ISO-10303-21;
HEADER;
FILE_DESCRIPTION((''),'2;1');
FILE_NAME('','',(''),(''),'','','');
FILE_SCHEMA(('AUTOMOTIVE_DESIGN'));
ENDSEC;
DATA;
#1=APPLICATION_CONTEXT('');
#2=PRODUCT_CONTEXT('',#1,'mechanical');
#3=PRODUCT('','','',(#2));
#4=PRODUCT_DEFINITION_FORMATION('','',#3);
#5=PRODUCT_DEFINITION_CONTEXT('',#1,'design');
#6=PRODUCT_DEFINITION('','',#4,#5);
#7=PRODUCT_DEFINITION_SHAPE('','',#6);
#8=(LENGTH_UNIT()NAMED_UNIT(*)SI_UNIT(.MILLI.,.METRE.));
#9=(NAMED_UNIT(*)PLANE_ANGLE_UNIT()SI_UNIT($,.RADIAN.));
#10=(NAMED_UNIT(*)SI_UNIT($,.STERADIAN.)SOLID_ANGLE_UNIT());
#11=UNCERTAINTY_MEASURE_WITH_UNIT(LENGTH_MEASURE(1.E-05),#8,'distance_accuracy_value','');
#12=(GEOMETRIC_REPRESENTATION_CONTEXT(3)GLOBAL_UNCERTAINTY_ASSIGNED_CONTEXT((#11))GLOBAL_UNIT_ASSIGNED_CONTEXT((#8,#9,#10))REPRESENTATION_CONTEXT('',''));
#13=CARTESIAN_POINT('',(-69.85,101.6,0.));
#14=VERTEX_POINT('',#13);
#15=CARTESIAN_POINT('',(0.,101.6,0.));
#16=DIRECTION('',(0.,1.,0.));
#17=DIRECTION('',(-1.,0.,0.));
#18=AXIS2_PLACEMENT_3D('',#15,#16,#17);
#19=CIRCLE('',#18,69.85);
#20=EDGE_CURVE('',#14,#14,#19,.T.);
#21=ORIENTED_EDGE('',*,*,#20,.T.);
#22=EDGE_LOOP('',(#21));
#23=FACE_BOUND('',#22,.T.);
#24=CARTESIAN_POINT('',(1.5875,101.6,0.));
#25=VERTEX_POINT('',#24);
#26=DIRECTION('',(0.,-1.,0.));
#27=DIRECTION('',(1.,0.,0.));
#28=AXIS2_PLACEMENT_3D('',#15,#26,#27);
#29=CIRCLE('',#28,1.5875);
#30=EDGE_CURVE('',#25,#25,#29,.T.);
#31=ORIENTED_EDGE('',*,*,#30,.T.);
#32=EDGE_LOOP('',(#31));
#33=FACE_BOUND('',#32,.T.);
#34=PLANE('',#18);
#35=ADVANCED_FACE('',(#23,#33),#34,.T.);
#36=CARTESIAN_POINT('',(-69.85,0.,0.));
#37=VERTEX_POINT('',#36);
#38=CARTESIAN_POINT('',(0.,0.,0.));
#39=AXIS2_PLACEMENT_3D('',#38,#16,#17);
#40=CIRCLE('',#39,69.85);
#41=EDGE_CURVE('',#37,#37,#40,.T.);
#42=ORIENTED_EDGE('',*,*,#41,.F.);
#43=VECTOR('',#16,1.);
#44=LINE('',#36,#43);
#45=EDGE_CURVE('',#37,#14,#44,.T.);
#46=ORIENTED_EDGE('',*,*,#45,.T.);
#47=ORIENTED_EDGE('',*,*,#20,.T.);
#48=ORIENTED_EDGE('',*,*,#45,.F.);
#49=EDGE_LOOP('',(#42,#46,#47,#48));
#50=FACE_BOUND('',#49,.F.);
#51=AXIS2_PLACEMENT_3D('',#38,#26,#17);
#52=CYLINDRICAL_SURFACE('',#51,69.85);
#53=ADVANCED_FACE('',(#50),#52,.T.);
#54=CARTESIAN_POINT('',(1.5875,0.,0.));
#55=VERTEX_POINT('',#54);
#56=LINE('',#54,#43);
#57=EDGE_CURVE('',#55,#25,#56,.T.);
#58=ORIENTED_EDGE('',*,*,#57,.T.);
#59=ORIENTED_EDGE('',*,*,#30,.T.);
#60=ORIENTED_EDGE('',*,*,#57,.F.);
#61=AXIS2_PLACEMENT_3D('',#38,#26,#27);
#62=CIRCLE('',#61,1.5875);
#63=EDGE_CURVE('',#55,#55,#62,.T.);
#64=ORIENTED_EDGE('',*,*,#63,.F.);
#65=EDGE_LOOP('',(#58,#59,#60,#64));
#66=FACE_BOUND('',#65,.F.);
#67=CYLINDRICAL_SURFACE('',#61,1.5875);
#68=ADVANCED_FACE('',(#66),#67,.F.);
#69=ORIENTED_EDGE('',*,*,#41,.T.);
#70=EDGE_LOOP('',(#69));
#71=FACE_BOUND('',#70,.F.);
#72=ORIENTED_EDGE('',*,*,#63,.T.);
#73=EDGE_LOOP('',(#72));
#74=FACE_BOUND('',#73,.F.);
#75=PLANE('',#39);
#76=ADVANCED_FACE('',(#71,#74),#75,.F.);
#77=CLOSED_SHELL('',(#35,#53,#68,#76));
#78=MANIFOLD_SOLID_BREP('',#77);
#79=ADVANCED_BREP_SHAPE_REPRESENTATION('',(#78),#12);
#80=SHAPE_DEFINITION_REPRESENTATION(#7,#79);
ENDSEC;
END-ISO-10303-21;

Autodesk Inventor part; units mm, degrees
ref_plane "YZ Plane" through (0, 0, 0) normal (1, 0, 0) x (0, 1, 0)
ref_plane "XZ Plane" through (0, 0, 0) normal (0, 1, 0) x (-1, 0, 0)
ref_plane "XY Plane" through (0, 0, 0) normal (0, 0, 1) x (1, 0, 0)
sketch "Sketch1" plane through (0, 0, 0) normal (0, 1, 0) x (-1, 0, 0)
  circle A0 centre (0, 0) radius 69.85
  dimension "d0" = 139.7
extrude "Extrusion1" add sketch "Sketch1" along normal blind 101.6
sketch "Sketch2" plane through (0, 0, 0) normal (0, -1, 0) x (1, 0, 0)
  circle A0 centre (0, 0) radius 1.5875
  dimension "d3" = 3.175
extrude "Extrusion2" cut sketch "Sketch2" against normal through all
properties part number "roller"
